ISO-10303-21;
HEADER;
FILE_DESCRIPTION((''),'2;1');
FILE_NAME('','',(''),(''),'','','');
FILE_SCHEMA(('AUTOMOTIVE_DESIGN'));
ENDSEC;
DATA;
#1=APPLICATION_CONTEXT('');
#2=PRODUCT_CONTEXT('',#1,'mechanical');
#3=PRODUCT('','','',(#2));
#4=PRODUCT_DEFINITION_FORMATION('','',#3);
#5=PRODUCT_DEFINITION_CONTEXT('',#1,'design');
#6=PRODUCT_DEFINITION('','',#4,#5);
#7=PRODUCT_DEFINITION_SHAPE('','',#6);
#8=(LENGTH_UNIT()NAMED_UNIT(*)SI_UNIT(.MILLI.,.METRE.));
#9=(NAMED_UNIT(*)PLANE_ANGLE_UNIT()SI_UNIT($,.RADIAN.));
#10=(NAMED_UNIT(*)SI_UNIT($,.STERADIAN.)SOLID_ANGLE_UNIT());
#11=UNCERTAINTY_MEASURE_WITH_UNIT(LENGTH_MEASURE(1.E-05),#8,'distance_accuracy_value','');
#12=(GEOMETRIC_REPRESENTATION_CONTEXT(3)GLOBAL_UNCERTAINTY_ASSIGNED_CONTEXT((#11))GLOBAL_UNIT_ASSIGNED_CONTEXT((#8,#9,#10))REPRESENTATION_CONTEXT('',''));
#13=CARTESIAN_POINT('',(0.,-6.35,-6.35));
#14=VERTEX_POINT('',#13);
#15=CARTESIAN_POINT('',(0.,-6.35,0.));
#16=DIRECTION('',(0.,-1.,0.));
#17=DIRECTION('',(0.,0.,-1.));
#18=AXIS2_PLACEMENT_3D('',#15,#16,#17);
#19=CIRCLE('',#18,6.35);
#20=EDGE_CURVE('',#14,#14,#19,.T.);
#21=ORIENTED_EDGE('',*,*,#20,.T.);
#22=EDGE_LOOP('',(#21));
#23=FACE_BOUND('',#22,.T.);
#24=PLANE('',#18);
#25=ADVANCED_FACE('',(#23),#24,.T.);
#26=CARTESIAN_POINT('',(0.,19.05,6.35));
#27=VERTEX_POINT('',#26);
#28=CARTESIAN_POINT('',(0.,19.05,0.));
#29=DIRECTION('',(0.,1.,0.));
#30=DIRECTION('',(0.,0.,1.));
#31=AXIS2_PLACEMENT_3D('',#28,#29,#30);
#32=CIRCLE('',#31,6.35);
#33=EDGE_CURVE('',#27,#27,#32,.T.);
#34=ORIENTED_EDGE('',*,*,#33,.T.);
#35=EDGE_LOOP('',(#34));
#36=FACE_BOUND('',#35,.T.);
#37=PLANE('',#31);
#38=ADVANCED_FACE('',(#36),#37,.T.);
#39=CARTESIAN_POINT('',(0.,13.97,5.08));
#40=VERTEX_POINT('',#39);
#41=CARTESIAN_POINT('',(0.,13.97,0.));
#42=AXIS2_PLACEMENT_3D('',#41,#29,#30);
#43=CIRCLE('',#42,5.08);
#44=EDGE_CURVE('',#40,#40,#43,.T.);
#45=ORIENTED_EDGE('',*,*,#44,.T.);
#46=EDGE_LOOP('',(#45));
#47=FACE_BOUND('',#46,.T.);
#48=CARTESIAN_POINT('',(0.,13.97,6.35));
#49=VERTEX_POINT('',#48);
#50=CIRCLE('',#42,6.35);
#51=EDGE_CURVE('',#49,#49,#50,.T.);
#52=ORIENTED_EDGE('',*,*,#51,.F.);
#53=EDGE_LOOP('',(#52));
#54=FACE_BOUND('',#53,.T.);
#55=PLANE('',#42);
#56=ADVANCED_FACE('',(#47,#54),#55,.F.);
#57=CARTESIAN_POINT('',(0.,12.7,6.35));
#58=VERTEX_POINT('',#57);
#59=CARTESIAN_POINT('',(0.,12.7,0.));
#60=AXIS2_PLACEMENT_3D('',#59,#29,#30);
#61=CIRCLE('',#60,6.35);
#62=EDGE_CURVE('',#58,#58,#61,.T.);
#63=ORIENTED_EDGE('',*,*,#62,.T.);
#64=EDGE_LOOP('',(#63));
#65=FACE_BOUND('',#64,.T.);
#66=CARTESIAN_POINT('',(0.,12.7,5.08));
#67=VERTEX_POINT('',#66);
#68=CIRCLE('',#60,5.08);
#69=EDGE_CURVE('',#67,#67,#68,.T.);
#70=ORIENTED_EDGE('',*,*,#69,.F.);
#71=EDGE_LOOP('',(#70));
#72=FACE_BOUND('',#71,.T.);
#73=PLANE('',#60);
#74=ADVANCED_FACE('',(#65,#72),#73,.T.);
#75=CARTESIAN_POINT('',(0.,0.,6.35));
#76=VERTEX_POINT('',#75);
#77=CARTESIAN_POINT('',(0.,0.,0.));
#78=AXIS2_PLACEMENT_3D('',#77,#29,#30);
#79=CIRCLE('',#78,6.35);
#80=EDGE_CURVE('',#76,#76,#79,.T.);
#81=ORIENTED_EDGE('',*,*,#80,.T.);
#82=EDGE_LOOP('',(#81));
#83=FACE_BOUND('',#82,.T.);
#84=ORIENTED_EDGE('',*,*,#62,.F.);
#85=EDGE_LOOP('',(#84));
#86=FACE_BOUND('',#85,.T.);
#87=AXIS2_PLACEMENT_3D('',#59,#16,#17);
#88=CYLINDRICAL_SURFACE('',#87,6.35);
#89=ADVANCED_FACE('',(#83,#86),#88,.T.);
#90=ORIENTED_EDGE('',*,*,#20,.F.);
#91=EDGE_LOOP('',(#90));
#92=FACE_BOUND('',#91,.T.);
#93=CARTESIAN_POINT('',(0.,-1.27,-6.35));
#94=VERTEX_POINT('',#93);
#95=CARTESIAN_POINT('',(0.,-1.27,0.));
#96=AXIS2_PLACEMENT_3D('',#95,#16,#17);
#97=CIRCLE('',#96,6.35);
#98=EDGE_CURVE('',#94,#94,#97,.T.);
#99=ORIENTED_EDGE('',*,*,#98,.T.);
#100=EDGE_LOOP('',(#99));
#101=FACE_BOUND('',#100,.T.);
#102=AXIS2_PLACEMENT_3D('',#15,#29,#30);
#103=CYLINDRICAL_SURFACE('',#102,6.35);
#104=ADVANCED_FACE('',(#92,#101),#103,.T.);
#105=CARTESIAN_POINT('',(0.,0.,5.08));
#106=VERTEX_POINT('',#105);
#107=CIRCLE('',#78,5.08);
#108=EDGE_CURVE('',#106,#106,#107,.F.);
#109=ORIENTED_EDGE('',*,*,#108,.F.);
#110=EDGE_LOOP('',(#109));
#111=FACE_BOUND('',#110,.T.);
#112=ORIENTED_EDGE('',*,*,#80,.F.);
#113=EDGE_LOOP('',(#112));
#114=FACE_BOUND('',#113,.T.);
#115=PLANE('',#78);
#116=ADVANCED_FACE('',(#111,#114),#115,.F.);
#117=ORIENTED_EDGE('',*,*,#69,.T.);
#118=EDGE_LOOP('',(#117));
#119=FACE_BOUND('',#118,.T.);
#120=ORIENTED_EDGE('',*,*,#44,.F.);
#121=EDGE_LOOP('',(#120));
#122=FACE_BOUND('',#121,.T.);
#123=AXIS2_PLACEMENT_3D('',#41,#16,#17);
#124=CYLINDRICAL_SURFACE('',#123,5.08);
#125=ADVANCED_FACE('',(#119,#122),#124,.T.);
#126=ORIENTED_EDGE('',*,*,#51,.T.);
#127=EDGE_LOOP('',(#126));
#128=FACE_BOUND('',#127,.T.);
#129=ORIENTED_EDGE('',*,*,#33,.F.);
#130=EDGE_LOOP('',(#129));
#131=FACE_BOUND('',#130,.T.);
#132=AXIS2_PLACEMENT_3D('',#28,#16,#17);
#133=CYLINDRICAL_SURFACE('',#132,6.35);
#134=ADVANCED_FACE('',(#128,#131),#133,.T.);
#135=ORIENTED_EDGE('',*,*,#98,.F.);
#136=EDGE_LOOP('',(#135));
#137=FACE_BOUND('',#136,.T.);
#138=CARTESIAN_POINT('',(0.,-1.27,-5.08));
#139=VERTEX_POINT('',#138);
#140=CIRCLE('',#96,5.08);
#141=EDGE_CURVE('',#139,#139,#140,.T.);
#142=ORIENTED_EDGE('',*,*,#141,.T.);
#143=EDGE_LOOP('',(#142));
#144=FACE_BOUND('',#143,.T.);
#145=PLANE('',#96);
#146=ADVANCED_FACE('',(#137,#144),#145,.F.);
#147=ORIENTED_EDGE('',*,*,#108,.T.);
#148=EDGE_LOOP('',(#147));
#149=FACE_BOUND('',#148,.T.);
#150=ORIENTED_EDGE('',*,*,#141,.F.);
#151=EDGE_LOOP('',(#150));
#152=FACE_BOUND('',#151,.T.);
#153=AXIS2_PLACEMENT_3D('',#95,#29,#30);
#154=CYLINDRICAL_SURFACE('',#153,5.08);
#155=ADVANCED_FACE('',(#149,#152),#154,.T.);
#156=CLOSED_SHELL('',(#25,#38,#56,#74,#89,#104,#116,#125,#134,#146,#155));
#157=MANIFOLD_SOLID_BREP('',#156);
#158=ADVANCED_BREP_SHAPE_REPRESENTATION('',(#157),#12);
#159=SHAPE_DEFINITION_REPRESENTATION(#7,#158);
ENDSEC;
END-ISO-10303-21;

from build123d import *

# Parameters (mm, degrees)
SKETCH1_R           = 6.35
BOSS_EXTRUDE2_DEPTH = 12.7
SKETCH4_R           = 5.08
BOSS_EXTRUDE3_DEPTH = 1.27
SKETCH5_R           = 6.35
BOSS_EXTRUDE4_DEPTH = 5.08
BOSS_EXTRUDE5_START = 1.27
SKETCH6_R           = 5.08
BOSS_EXTRUDE5_DEPTH = 1.27
BOSS_EXTRUDE6_START = 5.08
SKETCH7_R           = 6.35
BOSS_EXTRUDE6_DEPTH = 5.08


with BuildPart() as part:
    # Sketch1 → Boss-Extrude2 (new body)
    with BuildSketch(Plane(origin=(0, 0, 0), x_dir=(1, 0, 0), z_dir=(0, 1, 0))):
        with Locations(Location((0, 0, 0), (0, 0, 270))):
            Circle(SKETCH1_R)
    extrude(amount=BOSS_EXTRUDE2_DEPTH)

    # Sketch4 → Boss-Extrude3 (add)
    with BuildSketch(Plane(origin=(0, 12.7, 0), x_dir=(1, 0, 0), z_dir=(0, 1, 0))):
        with Locations(Location((0, 0, 0), (0, 0, 270))):
            Circle(SKETCH4_R)
    extrude(amount=BOSS_EXTRUDE3_DEPTH)

    # Sketch5 → Boss-Extrude4 (add)
    with BuildSketch(Plane(origin=(0, 13.97, 0), x_dir=(1, 0, 0), z_dir=(0, 1, 0))):
        with Locations(Location((0, 0, 0), (0, 0, 270))):
            Circle(SKETCH5_R)
    extrude(amount=BOSS_EXTRUDE4_DEPTH)

    # Sketch6 → Boss-Extrude5 (add)
    with BuildSketch(Plane.XZ.offset(BOSS_EXTRUDE5_START)):
        with Locations(Location((0, 0, 0), (0, 0, 90))):
            Circle(SKETCH6_R)
    extrude(amount=-BOSS_EXTRUDE5_DEPTH)

    # Sketch7 → Boss-Extrude6 (add)
    with BuildSketch(Plane.XZ.offset(1.27).offset(BOSS_EXTRUDE6_START)):
        with Locations(Location((0, 0, 0), (0, 0, 90))):
            Circle(SKETCH7_R)
    extrude(amount=-BOSS_EXTRUDE6_DEPTH)


solid = part.part
